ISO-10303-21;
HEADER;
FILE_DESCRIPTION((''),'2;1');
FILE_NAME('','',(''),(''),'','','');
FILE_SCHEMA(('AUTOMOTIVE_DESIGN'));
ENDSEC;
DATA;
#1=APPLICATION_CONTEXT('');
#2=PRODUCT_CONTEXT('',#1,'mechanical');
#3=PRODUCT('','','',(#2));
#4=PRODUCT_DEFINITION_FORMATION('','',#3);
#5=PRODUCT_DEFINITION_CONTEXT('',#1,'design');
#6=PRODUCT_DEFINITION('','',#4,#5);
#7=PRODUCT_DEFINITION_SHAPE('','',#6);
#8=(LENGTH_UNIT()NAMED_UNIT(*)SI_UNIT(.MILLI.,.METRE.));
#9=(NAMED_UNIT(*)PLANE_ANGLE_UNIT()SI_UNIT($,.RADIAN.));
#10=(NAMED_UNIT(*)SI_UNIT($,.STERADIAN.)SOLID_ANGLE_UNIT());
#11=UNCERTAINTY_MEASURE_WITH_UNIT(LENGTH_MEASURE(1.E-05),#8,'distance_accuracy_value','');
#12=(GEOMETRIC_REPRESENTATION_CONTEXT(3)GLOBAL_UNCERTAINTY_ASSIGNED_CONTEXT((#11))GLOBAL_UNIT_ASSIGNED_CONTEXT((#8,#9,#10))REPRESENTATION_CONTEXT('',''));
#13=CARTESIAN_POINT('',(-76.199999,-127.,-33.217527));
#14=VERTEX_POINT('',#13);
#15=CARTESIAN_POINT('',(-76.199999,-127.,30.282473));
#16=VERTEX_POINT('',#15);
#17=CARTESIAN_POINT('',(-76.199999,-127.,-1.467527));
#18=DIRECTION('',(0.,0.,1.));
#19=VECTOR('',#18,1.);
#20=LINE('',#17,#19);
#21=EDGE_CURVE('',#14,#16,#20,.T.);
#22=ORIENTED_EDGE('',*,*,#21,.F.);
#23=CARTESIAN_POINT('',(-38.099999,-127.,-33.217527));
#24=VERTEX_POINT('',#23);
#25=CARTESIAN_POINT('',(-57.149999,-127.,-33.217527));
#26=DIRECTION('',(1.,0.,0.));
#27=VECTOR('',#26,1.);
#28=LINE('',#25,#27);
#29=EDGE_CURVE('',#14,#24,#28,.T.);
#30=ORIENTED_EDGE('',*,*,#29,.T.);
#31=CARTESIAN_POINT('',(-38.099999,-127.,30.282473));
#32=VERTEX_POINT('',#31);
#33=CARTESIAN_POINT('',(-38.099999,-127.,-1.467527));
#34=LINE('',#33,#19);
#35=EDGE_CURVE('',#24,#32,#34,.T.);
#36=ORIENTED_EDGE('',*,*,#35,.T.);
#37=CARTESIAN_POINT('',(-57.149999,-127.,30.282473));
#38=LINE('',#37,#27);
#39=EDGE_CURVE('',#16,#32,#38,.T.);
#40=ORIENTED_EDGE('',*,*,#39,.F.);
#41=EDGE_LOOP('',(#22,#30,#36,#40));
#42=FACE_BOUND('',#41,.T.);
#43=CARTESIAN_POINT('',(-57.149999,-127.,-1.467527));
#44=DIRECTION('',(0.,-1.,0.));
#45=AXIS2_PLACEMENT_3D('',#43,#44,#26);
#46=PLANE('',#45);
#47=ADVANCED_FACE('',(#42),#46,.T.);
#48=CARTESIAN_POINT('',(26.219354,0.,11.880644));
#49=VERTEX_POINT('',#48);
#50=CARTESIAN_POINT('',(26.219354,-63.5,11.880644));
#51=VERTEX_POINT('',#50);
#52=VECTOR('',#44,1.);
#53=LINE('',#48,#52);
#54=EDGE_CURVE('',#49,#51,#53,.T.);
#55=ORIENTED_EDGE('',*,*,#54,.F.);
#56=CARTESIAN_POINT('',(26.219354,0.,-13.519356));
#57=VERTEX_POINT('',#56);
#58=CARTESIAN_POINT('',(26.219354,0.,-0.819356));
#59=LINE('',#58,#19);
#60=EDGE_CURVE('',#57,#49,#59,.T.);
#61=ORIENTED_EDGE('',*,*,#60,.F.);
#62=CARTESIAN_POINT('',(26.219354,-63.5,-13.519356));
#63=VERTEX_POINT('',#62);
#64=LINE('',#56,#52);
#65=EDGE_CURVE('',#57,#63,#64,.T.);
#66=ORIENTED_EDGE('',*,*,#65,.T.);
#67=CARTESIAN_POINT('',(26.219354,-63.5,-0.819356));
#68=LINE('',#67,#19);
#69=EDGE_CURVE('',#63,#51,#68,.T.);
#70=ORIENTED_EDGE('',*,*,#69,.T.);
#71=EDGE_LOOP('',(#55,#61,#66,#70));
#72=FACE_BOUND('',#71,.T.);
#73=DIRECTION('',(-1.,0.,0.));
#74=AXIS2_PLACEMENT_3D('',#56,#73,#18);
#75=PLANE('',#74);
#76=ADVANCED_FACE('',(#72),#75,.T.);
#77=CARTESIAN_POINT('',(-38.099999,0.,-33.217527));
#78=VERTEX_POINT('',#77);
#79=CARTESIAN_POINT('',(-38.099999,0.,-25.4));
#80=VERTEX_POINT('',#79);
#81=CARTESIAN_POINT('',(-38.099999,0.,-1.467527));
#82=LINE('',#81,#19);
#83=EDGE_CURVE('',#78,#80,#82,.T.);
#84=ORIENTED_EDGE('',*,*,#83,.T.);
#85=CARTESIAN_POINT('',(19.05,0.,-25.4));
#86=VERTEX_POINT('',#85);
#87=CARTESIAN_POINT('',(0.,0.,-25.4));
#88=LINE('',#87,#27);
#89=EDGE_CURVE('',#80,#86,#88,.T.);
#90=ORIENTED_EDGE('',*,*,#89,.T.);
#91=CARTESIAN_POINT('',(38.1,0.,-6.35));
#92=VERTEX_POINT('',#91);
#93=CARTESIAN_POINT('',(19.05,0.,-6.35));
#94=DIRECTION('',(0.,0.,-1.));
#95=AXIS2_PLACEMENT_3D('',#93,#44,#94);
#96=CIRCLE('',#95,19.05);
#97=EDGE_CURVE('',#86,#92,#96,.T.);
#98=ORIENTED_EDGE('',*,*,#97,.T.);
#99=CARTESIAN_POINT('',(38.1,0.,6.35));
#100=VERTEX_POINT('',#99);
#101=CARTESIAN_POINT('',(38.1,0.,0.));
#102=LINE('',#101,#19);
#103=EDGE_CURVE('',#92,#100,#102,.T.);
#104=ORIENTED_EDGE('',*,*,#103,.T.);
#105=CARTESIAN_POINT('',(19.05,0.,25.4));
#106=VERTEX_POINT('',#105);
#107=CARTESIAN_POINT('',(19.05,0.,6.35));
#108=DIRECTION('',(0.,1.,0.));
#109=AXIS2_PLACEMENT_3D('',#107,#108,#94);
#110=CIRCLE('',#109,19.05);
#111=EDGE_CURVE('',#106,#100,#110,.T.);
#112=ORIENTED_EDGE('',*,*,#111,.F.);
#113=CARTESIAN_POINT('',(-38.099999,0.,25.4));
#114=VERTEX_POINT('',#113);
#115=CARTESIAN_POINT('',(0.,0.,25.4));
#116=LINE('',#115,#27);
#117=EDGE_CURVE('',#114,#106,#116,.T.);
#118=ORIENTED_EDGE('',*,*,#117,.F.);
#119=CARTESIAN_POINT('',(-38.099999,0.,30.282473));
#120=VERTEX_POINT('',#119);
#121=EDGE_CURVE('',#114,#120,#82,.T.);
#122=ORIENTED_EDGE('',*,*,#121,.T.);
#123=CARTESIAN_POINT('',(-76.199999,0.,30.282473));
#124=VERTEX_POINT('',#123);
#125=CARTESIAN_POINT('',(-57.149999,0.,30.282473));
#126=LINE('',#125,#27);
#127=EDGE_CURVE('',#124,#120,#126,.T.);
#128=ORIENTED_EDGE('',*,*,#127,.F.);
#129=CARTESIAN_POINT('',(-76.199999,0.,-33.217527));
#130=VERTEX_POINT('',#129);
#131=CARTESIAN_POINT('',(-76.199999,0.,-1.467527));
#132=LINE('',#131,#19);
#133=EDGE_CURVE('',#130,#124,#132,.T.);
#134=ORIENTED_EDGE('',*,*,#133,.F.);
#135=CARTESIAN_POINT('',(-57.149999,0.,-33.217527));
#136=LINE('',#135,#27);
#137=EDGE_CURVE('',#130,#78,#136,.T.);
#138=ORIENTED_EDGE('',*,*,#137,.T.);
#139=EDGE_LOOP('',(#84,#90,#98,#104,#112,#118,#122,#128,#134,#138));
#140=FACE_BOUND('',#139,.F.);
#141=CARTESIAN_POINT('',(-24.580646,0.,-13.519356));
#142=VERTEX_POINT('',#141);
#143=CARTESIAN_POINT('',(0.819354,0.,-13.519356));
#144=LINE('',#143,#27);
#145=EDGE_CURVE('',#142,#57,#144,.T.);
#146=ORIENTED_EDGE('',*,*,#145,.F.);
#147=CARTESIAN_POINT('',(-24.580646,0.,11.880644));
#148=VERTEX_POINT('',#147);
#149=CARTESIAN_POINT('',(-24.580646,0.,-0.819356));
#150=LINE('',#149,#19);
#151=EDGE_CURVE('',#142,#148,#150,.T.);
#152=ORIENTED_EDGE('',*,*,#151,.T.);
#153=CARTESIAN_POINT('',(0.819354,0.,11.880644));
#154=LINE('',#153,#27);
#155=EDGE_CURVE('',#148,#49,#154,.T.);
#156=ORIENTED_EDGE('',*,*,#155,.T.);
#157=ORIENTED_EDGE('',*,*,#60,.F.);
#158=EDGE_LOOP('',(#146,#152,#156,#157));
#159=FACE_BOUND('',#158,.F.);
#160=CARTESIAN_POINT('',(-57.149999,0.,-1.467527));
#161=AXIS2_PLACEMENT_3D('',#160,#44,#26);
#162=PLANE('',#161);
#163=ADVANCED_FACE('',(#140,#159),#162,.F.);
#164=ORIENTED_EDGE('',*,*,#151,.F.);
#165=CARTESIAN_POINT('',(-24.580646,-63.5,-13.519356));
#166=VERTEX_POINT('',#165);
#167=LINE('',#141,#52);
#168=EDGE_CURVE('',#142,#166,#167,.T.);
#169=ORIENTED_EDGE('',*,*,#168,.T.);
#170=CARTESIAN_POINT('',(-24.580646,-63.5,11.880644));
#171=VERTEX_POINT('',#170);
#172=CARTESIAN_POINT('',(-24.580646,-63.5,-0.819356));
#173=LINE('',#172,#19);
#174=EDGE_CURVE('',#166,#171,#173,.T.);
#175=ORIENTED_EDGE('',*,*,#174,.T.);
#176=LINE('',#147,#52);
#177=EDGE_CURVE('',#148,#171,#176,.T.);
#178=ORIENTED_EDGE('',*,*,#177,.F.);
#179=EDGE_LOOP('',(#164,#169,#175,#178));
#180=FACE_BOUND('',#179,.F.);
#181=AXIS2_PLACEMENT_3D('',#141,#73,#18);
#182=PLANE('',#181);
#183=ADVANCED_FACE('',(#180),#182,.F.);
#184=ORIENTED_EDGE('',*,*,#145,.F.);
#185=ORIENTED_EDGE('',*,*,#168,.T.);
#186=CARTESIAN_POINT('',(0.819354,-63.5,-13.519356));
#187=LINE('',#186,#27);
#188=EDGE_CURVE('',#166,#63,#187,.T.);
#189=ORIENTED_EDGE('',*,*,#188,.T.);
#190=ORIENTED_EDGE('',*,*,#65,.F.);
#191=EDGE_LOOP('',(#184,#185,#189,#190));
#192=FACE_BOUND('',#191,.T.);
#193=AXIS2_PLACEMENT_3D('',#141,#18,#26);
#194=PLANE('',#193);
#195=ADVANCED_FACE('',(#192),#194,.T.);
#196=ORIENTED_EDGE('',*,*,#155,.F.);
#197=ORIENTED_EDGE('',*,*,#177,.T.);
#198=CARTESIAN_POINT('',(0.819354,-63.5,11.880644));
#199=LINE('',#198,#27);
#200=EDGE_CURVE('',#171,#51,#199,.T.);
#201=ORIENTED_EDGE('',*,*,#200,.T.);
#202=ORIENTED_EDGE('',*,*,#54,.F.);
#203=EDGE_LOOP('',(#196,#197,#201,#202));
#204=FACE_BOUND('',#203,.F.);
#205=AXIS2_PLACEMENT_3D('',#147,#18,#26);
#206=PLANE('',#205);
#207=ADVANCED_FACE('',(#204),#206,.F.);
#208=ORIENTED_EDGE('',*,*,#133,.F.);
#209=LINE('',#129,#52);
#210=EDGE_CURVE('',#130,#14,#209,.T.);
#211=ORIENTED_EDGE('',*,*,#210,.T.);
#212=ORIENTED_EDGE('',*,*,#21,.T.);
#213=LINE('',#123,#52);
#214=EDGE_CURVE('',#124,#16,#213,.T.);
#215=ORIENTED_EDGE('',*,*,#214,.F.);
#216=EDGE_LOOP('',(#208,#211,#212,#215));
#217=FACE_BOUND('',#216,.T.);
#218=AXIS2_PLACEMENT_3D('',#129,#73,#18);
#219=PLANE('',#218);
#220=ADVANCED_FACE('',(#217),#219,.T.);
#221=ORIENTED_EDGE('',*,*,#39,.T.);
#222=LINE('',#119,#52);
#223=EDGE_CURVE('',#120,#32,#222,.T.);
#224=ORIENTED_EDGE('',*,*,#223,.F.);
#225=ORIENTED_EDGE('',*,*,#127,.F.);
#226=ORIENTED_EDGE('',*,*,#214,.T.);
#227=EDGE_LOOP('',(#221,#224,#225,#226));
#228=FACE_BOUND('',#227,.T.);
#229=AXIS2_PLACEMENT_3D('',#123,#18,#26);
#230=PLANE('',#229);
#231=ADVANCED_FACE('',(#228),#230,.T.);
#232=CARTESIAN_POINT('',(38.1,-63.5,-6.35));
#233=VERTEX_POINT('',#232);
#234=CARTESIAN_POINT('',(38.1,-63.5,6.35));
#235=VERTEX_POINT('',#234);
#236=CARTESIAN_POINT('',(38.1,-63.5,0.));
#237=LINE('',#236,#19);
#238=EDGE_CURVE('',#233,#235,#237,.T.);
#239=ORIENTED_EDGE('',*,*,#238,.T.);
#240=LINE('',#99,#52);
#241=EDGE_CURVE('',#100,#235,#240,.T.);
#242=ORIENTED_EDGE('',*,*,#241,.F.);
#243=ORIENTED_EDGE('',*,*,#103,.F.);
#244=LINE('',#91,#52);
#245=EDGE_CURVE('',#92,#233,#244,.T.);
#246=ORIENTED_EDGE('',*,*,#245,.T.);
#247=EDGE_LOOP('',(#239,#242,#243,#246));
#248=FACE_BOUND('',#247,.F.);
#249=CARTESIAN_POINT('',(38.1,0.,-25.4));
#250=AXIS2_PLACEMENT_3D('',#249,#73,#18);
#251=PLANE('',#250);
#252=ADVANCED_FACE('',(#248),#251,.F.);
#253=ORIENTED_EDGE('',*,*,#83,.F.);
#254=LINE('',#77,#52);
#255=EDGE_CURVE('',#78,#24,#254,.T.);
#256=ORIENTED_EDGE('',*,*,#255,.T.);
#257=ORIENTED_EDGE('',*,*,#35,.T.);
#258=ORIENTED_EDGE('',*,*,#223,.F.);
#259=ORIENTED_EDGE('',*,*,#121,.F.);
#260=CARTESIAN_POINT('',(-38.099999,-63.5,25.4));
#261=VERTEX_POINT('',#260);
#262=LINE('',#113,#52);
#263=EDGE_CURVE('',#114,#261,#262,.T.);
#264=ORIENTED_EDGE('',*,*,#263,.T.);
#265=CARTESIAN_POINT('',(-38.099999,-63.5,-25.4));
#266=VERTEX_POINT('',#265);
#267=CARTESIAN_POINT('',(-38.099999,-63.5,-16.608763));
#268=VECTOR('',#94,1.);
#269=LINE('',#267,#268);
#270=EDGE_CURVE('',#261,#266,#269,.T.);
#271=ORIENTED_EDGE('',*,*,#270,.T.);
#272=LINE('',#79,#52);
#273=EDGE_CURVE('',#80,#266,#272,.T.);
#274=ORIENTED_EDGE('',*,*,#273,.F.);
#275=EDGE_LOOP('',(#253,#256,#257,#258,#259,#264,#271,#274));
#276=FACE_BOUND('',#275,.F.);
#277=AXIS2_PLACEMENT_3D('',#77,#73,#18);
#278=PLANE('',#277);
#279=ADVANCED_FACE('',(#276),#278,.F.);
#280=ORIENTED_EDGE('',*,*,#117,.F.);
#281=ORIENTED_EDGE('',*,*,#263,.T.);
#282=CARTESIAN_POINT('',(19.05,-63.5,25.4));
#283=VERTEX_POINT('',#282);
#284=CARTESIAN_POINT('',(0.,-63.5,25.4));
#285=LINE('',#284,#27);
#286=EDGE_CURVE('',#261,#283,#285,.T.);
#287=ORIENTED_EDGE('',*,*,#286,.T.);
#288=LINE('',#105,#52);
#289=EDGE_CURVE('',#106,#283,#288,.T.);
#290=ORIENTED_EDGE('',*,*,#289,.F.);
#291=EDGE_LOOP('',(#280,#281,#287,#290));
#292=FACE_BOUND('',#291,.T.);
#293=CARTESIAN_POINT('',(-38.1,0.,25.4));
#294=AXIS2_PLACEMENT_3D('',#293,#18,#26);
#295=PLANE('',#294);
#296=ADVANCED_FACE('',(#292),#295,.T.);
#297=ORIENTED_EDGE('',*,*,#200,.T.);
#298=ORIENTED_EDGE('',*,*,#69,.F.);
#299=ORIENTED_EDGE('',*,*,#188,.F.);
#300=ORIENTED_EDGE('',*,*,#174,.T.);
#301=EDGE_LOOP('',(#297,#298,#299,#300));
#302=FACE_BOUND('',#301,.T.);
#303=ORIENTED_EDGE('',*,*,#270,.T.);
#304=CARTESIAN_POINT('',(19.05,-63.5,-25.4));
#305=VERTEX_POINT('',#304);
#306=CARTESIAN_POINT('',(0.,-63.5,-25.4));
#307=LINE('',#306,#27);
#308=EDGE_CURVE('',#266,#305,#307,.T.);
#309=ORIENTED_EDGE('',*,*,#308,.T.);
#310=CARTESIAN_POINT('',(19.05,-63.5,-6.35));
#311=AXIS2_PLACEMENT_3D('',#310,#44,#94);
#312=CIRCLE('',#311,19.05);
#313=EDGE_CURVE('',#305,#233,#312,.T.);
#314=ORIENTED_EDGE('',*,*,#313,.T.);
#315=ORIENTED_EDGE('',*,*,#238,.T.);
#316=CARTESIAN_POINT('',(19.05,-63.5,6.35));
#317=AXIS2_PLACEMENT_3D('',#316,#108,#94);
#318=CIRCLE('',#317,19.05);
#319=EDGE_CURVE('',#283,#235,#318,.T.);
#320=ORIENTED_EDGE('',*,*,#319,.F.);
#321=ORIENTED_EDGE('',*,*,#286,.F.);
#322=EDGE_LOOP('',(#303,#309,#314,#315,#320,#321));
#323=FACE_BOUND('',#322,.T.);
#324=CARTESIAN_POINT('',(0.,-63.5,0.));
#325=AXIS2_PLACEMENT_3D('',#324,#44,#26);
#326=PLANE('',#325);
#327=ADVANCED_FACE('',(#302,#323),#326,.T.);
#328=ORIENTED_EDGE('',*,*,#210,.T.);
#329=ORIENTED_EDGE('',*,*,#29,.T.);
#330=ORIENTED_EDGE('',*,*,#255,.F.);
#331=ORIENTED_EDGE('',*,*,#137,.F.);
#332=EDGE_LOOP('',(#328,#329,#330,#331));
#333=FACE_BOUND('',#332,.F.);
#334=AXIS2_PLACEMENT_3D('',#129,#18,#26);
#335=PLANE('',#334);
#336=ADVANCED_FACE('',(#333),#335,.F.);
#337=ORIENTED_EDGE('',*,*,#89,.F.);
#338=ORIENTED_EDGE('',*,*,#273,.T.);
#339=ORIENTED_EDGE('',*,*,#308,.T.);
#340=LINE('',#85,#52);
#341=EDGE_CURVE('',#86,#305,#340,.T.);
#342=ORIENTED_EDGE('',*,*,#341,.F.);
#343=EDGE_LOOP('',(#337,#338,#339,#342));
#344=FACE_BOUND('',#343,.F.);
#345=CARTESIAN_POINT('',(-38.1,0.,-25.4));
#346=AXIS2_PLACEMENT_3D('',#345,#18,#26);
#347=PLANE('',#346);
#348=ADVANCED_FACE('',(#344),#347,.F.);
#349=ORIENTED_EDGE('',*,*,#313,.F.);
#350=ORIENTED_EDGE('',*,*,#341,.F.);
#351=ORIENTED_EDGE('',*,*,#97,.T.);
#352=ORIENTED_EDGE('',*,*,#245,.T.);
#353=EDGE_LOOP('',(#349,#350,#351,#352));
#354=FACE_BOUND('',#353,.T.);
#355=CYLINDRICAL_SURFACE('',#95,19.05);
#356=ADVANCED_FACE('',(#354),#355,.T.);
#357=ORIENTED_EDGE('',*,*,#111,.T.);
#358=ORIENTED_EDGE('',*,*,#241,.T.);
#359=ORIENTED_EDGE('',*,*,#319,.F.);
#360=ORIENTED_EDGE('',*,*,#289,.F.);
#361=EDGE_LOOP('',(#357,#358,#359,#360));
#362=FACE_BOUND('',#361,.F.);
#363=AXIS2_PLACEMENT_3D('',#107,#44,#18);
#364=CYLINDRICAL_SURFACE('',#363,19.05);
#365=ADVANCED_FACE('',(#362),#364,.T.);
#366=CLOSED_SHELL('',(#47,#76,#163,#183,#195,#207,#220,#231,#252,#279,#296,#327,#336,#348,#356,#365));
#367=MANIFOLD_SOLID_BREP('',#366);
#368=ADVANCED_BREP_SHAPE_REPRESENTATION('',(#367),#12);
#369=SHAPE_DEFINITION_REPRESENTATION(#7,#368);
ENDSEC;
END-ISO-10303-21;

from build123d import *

# Parameters (mm, degrees)
F0_W     = 76.2
F0_H     = 50.8
F0_W_2   = 50.8
F0_H_2   = 25.4
F1_DEPTH = 63.5
F2_R     = 19.05
F3_W     = 38.1
F3_H     = 63.5
F4_DEPTH = 127


with BuildPart() as f1:
    # F0 (on Front) → F1 (new body)
    with BuildSketch(Plane.XZ):
        Rectangle(F0_W, F0_H)
        with Locations((0.819354, -0.819356)):
            Rectangle(F0_W_2, F0_H_2, mode=Mode.SUBTRACT)
    extrude(amount=F1_DEPTH)

    # F2
    f2_edges = [f1.edges().sort_by_distance(p)[0] for p in [
        (38.1, -31.75, 25.4),
        (38.1, -31.75, -25.4),
    ]]
    fillet(f2_edges, radius=F2_R)

    # F3 (on Front) → F4 (join)
    with BuildSketch(Plane.XZ):
        with Locations((-57.149999, -1.467527)):
            Rectangle(F3_W, F3_H)
    extrude(amount=F4_DEPTH)


solid = f1.part
